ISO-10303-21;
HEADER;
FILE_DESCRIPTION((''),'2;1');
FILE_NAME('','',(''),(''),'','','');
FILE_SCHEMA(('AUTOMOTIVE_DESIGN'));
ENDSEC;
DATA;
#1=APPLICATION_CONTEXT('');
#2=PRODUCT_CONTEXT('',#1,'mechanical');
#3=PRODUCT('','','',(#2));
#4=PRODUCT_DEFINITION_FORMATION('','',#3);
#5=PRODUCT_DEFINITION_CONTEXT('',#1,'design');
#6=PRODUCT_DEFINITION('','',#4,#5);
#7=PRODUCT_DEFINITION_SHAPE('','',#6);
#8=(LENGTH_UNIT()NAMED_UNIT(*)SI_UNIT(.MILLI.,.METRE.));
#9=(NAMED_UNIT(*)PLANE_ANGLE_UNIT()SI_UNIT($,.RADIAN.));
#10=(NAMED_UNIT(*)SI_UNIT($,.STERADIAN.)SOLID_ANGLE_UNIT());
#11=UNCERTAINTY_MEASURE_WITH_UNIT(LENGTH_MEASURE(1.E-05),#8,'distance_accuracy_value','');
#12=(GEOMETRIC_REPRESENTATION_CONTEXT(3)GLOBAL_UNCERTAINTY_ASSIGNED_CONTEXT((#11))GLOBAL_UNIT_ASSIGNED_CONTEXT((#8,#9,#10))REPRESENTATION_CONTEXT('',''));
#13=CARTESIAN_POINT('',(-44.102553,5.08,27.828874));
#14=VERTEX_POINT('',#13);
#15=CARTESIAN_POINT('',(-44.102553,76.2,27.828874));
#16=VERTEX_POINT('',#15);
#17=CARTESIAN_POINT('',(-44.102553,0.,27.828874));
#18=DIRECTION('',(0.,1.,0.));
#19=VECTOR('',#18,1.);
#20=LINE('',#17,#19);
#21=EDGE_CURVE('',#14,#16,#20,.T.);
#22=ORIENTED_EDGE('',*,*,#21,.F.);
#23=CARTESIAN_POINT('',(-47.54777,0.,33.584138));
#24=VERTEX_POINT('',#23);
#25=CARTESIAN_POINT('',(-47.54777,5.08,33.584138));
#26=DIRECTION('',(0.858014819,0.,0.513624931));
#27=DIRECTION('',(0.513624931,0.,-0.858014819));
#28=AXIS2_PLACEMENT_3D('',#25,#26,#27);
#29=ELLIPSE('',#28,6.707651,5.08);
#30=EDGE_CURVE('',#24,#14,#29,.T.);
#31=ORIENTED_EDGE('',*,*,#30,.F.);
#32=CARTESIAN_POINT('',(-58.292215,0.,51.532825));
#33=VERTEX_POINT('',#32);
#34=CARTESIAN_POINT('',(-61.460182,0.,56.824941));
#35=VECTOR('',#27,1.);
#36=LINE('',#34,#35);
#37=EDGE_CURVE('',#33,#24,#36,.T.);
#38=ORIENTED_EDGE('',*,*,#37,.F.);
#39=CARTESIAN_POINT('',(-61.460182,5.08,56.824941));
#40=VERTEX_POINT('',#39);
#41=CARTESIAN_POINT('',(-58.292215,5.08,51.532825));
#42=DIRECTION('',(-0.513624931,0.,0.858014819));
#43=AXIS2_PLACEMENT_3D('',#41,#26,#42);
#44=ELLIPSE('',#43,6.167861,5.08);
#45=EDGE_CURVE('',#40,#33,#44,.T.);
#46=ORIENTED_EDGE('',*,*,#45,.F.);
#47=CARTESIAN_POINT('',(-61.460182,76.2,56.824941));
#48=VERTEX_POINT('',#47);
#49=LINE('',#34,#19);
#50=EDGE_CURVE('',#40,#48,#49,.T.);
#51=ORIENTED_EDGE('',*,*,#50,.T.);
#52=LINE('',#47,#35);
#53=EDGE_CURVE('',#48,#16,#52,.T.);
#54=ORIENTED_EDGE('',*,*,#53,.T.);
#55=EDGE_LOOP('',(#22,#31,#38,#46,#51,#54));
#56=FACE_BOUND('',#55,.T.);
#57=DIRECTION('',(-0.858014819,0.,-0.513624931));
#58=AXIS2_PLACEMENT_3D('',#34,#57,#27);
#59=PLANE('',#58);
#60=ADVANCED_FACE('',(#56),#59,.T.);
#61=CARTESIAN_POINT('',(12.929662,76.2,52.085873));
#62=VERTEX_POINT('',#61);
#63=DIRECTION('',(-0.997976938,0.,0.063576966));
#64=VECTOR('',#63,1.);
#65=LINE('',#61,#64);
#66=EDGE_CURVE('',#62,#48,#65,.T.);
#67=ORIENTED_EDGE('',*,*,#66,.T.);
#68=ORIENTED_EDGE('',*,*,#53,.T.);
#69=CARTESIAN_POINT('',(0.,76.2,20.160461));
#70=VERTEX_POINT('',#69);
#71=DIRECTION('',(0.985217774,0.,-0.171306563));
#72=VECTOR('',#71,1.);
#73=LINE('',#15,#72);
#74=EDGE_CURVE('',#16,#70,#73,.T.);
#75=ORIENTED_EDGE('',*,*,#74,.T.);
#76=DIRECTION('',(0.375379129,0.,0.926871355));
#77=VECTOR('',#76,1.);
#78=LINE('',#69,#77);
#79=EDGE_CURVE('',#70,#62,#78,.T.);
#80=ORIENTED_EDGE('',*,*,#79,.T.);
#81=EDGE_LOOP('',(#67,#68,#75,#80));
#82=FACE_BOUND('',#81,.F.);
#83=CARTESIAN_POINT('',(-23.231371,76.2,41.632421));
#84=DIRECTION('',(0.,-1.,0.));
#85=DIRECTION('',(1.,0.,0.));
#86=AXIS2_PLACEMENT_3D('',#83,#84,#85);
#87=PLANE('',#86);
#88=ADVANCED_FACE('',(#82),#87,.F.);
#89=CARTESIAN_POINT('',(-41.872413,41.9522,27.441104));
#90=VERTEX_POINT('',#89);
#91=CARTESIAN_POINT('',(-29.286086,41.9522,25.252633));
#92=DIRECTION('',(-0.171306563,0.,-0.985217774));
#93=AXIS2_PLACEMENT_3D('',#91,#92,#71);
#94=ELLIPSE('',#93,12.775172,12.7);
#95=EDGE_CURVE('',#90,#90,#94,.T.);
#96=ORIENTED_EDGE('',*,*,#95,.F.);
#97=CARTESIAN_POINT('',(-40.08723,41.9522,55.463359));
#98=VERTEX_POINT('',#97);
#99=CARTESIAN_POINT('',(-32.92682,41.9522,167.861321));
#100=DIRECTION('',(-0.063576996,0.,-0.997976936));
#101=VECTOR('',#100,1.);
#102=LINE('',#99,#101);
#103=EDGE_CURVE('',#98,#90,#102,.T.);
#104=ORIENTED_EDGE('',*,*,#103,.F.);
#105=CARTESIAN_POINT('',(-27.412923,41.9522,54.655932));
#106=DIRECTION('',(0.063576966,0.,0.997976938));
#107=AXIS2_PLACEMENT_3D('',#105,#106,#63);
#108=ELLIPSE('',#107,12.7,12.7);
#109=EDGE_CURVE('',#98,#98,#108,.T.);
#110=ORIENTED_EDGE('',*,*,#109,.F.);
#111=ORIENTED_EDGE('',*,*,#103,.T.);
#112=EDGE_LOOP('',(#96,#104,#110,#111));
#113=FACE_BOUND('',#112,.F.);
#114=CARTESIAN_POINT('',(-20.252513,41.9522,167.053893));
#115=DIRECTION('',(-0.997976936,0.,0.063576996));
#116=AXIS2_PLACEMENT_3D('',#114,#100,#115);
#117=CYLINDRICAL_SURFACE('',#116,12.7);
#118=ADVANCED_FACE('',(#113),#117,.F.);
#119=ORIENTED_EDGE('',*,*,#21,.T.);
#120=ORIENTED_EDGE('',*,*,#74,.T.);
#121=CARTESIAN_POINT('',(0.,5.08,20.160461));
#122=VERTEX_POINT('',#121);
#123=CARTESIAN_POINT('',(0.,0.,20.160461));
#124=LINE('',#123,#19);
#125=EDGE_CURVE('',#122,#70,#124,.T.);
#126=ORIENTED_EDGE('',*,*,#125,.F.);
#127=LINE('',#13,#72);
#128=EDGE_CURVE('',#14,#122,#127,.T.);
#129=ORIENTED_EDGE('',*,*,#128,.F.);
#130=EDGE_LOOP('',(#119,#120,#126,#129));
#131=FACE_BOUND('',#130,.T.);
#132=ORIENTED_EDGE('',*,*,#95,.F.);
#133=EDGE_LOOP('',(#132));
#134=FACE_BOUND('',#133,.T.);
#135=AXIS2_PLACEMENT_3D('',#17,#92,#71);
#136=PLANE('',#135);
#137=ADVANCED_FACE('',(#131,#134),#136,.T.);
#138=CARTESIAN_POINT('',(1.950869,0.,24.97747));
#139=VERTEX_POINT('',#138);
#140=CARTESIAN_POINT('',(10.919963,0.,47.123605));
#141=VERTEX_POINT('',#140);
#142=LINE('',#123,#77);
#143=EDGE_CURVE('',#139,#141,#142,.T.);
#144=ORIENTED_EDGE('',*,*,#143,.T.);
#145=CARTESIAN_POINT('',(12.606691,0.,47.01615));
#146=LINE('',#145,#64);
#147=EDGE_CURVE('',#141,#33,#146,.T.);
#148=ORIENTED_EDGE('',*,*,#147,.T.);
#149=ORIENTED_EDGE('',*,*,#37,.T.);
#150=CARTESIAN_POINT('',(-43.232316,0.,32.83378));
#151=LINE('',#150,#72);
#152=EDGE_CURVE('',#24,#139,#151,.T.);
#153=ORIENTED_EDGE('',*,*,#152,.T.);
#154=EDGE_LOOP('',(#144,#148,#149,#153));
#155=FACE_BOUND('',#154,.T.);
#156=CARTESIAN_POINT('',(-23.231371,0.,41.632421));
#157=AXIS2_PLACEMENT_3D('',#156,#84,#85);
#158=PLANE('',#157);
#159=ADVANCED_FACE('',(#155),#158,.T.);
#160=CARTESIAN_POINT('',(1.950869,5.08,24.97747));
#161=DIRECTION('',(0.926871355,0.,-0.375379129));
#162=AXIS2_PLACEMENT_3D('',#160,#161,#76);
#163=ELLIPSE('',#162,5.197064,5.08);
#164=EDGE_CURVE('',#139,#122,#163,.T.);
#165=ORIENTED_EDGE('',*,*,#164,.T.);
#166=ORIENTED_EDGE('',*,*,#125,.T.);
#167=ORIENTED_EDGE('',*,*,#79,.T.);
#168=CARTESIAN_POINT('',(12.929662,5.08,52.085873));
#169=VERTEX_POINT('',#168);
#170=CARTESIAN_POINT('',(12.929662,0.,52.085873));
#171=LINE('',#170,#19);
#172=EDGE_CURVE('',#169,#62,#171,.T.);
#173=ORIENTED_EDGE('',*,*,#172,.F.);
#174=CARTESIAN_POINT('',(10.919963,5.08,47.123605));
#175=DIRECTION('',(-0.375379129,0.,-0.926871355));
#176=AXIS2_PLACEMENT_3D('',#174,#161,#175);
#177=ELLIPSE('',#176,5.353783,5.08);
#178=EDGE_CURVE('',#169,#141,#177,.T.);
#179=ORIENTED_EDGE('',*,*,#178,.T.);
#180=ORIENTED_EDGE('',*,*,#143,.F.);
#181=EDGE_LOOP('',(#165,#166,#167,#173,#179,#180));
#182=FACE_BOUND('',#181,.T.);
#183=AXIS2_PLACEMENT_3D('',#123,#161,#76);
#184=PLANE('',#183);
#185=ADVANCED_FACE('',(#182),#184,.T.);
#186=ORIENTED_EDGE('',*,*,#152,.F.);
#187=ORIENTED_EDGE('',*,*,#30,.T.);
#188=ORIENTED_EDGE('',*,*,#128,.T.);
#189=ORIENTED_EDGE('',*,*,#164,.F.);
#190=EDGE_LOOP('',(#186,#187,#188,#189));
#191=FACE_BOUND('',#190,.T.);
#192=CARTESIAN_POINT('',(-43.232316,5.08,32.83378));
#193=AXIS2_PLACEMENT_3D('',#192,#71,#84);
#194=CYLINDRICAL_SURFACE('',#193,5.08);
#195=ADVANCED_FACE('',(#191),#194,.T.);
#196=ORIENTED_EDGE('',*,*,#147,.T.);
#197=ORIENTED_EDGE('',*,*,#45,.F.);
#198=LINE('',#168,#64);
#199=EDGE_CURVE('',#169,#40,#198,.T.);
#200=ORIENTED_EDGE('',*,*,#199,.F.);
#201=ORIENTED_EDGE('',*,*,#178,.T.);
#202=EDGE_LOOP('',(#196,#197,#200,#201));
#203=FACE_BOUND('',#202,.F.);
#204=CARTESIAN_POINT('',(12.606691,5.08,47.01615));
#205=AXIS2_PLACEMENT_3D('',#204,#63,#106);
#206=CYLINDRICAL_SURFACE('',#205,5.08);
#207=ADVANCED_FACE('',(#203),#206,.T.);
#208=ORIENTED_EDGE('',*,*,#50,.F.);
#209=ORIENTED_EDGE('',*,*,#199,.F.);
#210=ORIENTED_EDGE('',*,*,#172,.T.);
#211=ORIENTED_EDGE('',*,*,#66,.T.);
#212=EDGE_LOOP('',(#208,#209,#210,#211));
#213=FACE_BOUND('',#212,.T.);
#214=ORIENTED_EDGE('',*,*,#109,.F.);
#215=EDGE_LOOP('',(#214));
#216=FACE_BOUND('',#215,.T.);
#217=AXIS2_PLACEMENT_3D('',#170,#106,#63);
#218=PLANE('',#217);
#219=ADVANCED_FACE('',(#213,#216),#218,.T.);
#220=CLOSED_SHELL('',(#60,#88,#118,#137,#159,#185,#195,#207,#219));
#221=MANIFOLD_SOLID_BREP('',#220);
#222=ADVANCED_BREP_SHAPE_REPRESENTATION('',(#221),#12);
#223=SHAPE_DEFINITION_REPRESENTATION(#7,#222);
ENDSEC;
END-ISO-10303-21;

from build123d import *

# Parameters (mm, degrees)
F1_DEPTH = 76.2
F2_R     = 5.08
F3_R     = 5.08
F5_D     = 25.4


with BuildPart() as f1:
    # F0 (on Front) → F1 (new body)
    with BuildSketch(Plane.XZ):
        Polygon((12.929662, 52.085873), (-61.460182, 56.824941), (-44.102553, 27.828874), (0, 20.160461), align=None)
    extrude(amount=-F1_DEPTH)

    # F2
    f2_edges = [f1.edges().sort_by_distance(p)[0] for p in [
        (-24.26526, 0, 54.455407),
    ]]
    fillet(f2_edges, radius=F2_R)

    # F3
    f3_edges = [f1.edges().sort_by_distance(p)[0] for p in [
        (-22.051277, 0, 23.994667),
    ]]
    fillet(f3_edges, radius=F3_R)

    # F5 (through all)
    with Locations(Plane(origin=(3.357025, 0, 52.695706), x_dir=(0.997977, 0, -0.063577), z_dir=(0.063577, 0, 0.997977))):
        with Locations((-30.832324, 41.9522)):
            Hole(F5_D / 2)


solid = f1.part
